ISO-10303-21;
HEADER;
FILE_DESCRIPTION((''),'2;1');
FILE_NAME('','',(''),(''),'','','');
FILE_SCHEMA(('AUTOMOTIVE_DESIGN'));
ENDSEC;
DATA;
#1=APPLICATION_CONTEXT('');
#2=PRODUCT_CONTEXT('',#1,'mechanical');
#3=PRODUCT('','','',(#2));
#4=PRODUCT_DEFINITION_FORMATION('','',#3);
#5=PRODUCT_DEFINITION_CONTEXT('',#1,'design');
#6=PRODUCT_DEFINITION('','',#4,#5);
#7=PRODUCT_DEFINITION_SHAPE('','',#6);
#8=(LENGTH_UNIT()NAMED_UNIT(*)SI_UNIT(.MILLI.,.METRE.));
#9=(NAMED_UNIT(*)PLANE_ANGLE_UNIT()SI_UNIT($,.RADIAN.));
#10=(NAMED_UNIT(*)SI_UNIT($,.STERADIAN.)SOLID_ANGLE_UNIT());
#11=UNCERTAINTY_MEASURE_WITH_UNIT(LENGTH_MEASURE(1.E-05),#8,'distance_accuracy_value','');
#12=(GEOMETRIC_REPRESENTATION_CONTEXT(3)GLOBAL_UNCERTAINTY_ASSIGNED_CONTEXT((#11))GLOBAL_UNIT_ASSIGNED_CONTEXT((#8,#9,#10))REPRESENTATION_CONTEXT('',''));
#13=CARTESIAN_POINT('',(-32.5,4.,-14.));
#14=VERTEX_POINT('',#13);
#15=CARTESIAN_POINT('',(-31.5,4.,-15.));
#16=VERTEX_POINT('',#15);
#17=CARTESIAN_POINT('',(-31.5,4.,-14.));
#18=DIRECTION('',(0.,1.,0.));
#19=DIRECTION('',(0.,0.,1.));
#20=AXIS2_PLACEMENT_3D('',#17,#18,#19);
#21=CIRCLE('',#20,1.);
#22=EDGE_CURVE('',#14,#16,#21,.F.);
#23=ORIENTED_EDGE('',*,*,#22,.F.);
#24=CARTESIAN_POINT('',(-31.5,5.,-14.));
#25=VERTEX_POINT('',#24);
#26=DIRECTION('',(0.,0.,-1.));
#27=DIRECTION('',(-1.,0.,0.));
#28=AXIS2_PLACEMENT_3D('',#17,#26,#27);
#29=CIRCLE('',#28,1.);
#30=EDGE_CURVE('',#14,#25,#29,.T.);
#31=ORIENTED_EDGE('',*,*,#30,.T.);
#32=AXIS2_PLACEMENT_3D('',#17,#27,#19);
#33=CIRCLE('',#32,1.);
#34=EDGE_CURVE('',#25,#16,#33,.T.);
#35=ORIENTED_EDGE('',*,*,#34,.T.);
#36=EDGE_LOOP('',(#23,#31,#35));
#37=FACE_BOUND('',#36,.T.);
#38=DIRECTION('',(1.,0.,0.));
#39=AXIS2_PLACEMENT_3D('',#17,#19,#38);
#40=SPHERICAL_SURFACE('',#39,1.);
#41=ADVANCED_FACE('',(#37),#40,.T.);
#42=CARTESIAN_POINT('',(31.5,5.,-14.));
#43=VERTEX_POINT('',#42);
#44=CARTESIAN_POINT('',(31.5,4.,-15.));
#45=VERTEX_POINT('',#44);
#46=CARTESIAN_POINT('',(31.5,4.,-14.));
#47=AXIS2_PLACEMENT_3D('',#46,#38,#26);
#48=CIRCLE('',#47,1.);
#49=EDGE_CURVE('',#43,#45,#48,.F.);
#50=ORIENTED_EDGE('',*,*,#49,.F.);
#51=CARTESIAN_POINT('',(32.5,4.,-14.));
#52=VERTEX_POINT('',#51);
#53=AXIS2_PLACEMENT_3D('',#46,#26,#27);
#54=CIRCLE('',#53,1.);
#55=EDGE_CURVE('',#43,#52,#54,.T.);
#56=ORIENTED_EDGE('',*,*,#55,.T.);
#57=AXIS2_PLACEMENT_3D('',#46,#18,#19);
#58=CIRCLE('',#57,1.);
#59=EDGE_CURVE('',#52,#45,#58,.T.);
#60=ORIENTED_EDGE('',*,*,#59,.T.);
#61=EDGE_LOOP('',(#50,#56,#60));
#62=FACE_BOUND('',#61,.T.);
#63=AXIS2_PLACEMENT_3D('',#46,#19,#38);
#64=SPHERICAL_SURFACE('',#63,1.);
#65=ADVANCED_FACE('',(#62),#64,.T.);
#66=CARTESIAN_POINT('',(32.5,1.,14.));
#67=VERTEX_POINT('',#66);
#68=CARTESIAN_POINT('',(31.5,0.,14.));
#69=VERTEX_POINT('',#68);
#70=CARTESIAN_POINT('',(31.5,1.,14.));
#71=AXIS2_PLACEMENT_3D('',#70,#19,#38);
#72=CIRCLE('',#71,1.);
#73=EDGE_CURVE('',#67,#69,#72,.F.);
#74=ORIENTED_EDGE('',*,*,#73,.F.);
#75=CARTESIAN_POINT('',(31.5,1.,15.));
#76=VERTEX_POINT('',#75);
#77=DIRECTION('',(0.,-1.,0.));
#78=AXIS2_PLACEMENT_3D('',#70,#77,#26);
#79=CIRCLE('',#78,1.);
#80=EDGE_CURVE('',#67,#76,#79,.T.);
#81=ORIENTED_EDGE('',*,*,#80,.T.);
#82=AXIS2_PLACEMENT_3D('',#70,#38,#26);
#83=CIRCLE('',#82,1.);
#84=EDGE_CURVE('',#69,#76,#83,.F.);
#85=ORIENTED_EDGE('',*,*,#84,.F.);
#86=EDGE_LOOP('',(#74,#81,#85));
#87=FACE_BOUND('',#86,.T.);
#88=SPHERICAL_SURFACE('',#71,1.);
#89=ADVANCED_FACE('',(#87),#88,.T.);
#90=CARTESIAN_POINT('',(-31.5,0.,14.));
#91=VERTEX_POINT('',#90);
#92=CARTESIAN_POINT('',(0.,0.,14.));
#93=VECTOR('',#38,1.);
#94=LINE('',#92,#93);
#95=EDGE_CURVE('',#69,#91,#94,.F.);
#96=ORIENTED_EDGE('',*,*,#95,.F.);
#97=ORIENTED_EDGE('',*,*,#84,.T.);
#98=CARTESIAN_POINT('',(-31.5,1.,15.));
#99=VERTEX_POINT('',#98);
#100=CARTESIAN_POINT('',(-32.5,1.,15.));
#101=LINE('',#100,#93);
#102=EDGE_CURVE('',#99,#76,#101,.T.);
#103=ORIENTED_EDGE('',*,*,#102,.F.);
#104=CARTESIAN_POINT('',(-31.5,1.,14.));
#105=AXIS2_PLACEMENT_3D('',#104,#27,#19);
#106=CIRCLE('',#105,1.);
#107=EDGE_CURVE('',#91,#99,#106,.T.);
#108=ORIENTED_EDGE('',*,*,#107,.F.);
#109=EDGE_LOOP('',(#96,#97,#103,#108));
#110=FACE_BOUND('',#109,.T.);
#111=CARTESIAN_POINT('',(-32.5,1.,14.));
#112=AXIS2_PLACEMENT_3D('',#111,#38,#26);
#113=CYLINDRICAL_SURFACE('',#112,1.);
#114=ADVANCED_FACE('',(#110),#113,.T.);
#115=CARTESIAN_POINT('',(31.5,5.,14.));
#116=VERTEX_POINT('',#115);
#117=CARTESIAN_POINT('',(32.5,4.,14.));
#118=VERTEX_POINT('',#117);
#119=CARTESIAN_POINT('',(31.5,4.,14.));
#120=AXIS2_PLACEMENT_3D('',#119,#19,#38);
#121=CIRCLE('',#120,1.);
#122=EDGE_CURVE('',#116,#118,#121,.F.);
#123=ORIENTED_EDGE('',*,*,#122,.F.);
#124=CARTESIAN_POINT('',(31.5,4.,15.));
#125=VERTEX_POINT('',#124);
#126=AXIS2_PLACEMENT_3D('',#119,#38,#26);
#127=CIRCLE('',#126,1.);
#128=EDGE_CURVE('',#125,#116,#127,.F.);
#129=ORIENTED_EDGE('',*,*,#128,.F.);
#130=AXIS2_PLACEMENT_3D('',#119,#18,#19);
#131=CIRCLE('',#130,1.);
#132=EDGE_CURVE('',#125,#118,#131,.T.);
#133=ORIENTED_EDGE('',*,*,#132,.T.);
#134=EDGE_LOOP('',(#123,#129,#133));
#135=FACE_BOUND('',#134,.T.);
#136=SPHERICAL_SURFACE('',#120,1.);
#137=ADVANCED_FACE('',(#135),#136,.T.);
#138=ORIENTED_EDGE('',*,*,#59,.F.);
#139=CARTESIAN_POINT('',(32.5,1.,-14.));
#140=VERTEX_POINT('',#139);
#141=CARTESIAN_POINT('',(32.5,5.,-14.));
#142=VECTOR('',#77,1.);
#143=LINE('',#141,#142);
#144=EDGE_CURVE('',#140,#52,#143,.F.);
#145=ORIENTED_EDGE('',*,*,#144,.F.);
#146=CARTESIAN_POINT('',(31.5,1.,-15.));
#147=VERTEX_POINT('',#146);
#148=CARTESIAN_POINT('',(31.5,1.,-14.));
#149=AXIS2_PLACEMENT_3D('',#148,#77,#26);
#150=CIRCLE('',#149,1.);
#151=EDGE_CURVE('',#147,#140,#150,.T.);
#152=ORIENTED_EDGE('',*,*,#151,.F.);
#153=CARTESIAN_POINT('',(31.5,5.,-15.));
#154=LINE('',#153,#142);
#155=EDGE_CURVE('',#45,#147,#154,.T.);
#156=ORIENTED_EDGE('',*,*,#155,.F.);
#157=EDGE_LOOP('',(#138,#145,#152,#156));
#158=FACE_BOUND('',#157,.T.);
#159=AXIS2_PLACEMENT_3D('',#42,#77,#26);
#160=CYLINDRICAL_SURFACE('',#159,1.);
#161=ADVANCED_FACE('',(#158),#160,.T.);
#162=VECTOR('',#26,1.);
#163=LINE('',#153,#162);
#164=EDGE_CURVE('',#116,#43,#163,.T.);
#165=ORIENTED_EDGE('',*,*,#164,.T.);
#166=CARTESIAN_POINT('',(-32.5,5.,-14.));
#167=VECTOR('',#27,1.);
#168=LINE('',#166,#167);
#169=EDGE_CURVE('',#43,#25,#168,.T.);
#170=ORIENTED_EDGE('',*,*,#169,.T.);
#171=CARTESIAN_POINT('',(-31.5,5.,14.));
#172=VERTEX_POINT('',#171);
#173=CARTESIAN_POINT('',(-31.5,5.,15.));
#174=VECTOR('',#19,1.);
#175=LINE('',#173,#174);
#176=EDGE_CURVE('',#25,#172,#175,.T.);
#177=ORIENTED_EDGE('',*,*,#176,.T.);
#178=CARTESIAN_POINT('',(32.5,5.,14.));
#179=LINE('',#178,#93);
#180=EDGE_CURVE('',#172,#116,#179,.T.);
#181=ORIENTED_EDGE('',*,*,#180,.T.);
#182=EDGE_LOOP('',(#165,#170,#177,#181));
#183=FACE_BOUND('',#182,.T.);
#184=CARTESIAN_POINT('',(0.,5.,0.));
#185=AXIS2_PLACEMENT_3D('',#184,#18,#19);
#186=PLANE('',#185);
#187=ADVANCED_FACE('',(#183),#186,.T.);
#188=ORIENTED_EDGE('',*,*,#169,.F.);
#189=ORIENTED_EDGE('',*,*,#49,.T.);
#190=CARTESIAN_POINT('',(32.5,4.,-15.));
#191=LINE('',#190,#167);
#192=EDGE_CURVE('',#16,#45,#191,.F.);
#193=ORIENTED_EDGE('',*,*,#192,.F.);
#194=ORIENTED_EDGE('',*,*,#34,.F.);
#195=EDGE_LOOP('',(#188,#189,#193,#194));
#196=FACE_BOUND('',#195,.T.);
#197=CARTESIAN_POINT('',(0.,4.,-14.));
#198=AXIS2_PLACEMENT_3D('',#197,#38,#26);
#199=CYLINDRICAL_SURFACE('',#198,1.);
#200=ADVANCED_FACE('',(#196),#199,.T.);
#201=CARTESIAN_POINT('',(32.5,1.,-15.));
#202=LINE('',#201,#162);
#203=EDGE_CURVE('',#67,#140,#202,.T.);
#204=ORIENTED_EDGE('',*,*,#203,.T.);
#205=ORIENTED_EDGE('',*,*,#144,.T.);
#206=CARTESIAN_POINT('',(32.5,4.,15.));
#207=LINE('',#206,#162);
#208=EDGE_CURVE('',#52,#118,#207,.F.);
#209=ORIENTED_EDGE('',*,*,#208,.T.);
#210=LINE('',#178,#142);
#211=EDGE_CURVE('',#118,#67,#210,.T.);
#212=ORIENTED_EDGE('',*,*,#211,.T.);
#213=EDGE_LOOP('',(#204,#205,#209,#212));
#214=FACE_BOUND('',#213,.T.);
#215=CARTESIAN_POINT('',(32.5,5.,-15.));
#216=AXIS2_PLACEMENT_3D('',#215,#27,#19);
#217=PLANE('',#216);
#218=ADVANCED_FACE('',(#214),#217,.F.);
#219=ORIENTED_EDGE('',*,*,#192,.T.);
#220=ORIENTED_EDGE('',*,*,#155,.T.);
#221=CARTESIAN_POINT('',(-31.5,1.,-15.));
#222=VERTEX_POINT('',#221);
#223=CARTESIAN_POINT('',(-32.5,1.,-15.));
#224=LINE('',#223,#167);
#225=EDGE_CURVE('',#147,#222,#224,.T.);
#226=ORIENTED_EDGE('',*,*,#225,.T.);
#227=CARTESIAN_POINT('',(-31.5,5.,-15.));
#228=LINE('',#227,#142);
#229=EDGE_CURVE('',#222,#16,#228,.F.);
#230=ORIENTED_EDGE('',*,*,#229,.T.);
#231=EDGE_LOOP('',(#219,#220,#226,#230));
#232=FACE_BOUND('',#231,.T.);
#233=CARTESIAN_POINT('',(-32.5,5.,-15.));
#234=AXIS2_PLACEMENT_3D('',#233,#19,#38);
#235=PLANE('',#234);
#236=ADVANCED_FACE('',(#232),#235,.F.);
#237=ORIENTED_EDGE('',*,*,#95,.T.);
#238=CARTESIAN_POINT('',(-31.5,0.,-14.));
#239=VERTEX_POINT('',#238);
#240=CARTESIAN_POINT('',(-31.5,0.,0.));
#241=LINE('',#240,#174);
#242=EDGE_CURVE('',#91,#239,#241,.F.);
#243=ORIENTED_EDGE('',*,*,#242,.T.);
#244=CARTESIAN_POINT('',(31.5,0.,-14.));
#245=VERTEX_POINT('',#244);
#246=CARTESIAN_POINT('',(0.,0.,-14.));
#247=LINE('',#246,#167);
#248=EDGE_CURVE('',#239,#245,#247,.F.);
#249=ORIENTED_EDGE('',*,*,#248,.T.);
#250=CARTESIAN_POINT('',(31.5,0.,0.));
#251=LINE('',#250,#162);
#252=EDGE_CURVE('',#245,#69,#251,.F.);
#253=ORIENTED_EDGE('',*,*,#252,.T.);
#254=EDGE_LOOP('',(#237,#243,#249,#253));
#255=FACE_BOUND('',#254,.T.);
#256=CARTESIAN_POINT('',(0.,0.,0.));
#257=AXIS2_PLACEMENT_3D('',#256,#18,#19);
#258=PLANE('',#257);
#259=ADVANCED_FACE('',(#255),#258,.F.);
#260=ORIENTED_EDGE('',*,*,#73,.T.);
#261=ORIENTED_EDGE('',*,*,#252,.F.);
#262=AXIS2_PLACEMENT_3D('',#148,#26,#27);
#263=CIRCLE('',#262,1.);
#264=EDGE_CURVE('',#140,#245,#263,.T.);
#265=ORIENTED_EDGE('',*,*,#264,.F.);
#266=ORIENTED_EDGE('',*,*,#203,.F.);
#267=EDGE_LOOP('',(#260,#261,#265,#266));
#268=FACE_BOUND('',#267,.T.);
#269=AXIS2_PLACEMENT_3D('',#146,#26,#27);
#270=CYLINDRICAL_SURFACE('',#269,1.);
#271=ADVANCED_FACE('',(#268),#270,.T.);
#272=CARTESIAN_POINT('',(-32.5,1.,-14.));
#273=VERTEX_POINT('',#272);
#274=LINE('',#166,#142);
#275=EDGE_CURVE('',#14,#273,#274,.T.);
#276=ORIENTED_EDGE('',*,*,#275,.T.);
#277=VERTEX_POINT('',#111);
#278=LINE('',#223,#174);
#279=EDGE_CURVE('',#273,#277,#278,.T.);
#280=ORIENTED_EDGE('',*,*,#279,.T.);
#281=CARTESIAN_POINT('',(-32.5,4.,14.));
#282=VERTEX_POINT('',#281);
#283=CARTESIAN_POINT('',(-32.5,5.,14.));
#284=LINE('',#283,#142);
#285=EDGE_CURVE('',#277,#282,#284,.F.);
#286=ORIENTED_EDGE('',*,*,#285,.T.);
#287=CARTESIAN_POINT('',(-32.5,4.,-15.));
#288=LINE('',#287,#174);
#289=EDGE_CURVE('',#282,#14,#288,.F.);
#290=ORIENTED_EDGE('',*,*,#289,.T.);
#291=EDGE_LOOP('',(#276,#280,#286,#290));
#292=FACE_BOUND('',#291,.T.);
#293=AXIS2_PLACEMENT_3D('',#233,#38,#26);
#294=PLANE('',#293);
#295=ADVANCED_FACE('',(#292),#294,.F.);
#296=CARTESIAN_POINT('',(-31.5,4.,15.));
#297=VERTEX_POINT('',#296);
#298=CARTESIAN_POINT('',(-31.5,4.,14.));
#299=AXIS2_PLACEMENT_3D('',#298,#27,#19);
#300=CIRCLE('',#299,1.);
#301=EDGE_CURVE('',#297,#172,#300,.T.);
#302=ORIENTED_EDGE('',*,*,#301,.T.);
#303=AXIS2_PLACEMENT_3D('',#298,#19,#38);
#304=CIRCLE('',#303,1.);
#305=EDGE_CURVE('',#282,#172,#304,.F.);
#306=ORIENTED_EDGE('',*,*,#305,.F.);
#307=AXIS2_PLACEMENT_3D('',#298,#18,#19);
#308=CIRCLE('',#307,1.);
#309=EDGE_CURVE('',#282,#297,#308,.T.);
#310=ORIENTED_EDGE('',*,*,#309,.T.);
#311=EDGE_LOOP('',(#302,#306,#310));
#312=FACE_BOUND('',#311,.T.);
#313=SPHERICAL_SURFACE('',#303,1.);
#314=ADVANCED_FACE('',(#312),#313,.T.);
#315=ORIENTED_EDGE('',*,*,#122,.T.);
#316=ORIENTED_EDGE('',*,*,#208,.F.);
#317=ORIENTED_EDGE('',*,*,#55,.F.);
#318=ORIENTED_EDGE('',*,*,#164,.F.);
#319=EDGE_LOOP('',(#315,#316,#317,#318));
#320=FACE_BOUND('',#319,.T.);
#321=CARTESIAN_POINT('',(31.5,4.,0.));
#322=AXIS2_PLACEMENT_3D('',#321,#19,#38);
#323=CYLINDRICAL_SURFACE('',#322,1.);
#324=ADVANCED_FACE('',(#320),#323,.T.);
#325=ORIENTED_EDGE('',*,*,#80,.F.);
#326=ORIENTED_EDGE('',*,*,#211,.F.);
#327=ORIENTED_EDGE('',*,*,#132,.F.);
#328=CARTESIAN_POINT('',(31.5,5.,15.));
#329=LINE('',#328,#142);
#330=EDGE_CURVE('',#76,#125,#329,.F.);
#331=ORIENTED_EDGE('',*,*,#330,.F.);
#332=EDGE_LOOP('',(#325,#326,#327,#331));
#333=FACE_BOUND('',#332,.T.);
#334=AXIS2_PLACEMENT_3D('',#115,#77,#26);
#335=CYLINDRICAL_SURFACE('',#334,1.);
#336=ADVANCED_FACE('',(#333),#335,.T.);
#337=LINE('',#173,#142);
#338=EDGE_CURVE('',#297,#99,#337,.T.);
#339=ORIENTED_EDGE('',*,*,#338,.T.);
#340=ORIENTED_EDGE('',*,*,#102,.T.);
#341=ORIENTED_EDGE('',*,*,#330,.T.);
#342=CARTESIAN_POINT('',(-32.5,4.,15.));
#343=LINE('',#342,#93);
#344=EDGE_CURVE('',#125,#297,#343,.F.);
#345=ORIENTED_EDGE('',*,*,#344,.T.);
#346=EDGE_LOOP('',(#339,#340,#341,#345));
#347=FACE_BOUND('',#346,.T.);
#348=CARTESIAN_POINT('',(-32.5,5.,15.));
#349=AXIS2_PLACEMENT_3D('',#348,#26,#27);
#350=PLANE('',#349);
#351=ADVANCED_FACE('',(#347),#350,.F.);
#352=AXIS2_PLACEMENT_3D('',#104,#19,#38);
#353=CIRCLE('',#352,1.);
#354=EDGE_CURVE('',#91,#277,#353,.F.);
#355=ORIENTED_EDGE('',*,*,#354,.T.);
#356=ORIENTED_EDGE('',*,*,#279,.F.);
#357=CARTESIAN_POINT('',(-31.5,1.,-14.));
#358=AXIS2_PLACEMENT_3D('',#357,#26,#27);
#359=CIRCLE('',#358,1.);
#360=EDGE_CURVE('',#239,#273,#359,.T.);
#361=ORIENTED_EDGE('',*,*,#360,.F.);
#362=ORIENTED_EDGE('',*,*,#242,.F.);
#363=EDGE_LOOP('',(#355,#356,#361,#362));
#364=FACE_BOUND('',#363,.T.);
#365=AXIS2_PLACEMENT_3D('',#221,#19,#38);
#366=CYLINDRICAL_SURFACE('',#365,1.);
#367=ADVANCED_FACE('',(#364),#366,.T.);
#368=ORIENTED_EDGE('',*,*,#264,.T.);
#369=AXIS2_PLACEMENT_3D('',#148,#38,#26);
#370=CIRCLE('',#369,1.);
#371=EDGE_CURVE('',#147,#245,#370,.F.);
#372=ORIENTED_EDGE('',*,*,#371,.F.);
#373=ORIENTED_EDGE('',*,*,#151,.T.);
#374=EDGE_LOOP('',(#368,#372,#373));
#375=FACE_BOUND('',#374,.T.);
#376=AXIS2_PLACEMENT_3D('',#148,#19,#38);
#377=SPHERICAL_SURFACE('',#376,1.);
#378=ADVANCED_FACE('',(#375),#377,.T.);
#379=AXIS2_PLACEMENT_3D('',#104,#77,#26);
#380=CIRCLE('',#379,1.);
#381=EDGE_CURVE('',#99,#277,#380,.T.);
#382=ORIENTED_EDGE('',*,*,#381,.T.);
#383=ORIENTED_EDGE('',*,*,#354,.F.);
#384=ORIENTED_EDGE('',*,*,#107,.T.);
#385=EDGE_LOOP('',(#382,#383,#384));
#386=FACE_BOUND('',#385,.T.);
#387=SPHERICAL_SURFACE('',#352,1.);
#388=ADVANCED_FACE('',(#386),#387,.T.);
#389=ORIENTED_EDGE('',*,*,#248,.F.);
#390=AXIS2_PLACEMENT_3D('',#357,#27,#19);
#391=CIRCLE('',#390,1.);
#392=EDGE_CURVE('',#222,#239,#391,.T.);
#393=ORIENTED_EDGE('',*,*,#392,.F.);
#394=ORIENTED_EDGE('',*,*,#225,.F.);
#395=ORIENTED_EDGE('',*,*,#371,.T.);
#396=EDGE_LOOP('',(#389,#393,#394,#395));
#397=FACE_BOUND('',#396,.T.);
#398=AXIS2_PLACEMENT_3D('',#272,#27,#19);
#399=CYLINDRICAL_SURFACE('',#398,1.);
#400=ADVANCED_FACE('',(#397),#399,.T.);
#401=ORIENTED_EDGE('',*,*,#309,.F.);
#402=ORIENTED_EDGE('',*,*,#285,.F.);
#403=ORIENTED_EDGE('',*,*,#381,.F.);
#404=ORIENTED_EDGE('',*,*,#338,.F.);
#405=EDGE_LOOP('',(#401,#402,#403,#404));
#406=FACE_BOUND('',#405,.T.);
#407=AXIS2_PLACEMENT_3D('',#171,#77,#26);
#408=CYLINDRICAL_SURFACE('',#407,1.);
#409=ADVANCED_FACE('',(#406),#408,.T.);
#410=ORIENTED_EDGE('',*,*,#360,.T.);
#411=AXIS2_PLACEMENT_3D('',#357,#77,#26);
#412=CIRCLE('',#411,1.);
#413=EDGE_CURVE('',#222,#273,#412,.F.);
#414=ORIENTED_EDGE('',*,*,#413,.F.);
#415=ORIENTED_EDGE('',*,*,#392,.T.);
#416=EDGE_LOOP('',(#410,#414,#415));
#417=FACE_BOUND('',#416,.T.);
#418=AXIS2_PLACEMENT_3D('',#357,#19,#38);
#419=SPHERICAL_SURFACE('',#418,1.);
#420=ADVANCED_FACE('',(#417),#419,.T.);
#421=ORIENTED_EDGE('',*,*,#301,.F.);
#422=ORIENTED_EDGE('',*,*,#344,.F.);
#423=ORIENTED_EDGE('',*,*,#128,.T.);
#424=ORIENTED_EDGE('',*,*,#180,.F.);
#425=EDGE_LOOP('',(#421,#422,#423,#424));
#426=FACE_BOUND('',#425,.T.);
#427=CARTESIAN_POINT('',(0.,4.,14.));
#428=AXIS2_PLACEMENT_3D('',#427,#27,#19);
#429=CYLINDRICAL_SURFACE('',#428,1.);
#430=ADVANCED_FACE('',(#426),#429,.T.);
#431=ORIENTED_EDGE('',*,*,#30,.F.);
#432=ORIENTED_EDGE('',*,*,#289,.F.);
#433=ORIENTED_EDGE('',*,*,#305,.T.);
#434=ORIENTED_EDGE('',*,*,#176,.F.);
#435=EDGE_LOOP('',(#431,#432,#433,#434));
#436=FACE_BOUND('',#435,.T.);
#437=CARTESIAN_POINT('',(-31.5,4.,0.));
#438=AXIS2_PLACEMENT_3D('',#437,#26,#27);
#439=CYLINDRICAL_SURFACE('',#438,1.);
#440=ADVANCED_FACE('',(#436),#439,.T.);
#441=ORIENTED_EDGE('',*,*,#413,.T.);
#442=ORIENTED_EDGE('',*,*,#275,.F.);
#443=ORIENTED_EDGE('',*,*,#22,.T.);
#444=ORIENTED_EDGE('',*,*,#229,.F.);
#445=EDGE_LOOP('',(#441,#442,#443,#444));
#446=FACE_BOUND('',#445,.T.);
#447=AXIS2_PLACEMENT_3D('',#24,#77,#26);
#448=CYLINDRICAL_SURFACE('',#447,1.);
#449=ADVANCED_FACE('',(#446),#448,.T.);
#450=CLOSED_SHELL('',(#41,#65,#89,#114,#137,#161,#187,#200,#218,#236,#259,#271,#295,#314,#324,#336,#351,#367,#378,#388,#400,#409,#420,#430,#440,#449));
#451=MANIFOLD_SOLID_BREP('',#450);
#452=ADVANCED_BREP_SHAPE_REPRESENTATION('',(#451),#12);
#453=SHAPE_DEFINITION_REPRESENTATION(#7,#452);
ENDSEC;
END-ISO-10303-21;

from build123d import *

# Parameters (mm, degrees)
SKETCH_1_W      = 65
SKETCH_1_H      = 30
EXTRUDE_1_DEPTH = 5
FILLET_1_R      = 1


with BuildPart() as part:
    # 草图1 → 凸台-拉伸1 (new body)
    with BuildSketch(Plane(origin=(0, 0, 0), x_dir=(1, 0, 0), z_dir=(0, 1, 0))):
        Rectangle(SKETCH_1_W, SKETCH_1_H)
    extrude(amount=EXTRUDE_1_DEPTH)

    # 圆角1
    fillet_1_edges = [part.edges().sort_by_distance(p)[0] for p in [
        (-32.5, 5, 0),
        (0, 5, 15),
        (32.5, 5, 0),
        (0, 0, 15),
        (-32.5, 0, 0),
        (0, 0, -15),
        (32.5, 0, 0),
        (0, 5, -15),
        (32.5, 2.5, 15),
        (-32.5, 2.5, 15),
        (-32.5, 2.5, -15),
        (32.5, 2.5, -15),
    ]]
    fillet(fillet_1_edges, radius=FILLET_1_R)


solid = part.part
